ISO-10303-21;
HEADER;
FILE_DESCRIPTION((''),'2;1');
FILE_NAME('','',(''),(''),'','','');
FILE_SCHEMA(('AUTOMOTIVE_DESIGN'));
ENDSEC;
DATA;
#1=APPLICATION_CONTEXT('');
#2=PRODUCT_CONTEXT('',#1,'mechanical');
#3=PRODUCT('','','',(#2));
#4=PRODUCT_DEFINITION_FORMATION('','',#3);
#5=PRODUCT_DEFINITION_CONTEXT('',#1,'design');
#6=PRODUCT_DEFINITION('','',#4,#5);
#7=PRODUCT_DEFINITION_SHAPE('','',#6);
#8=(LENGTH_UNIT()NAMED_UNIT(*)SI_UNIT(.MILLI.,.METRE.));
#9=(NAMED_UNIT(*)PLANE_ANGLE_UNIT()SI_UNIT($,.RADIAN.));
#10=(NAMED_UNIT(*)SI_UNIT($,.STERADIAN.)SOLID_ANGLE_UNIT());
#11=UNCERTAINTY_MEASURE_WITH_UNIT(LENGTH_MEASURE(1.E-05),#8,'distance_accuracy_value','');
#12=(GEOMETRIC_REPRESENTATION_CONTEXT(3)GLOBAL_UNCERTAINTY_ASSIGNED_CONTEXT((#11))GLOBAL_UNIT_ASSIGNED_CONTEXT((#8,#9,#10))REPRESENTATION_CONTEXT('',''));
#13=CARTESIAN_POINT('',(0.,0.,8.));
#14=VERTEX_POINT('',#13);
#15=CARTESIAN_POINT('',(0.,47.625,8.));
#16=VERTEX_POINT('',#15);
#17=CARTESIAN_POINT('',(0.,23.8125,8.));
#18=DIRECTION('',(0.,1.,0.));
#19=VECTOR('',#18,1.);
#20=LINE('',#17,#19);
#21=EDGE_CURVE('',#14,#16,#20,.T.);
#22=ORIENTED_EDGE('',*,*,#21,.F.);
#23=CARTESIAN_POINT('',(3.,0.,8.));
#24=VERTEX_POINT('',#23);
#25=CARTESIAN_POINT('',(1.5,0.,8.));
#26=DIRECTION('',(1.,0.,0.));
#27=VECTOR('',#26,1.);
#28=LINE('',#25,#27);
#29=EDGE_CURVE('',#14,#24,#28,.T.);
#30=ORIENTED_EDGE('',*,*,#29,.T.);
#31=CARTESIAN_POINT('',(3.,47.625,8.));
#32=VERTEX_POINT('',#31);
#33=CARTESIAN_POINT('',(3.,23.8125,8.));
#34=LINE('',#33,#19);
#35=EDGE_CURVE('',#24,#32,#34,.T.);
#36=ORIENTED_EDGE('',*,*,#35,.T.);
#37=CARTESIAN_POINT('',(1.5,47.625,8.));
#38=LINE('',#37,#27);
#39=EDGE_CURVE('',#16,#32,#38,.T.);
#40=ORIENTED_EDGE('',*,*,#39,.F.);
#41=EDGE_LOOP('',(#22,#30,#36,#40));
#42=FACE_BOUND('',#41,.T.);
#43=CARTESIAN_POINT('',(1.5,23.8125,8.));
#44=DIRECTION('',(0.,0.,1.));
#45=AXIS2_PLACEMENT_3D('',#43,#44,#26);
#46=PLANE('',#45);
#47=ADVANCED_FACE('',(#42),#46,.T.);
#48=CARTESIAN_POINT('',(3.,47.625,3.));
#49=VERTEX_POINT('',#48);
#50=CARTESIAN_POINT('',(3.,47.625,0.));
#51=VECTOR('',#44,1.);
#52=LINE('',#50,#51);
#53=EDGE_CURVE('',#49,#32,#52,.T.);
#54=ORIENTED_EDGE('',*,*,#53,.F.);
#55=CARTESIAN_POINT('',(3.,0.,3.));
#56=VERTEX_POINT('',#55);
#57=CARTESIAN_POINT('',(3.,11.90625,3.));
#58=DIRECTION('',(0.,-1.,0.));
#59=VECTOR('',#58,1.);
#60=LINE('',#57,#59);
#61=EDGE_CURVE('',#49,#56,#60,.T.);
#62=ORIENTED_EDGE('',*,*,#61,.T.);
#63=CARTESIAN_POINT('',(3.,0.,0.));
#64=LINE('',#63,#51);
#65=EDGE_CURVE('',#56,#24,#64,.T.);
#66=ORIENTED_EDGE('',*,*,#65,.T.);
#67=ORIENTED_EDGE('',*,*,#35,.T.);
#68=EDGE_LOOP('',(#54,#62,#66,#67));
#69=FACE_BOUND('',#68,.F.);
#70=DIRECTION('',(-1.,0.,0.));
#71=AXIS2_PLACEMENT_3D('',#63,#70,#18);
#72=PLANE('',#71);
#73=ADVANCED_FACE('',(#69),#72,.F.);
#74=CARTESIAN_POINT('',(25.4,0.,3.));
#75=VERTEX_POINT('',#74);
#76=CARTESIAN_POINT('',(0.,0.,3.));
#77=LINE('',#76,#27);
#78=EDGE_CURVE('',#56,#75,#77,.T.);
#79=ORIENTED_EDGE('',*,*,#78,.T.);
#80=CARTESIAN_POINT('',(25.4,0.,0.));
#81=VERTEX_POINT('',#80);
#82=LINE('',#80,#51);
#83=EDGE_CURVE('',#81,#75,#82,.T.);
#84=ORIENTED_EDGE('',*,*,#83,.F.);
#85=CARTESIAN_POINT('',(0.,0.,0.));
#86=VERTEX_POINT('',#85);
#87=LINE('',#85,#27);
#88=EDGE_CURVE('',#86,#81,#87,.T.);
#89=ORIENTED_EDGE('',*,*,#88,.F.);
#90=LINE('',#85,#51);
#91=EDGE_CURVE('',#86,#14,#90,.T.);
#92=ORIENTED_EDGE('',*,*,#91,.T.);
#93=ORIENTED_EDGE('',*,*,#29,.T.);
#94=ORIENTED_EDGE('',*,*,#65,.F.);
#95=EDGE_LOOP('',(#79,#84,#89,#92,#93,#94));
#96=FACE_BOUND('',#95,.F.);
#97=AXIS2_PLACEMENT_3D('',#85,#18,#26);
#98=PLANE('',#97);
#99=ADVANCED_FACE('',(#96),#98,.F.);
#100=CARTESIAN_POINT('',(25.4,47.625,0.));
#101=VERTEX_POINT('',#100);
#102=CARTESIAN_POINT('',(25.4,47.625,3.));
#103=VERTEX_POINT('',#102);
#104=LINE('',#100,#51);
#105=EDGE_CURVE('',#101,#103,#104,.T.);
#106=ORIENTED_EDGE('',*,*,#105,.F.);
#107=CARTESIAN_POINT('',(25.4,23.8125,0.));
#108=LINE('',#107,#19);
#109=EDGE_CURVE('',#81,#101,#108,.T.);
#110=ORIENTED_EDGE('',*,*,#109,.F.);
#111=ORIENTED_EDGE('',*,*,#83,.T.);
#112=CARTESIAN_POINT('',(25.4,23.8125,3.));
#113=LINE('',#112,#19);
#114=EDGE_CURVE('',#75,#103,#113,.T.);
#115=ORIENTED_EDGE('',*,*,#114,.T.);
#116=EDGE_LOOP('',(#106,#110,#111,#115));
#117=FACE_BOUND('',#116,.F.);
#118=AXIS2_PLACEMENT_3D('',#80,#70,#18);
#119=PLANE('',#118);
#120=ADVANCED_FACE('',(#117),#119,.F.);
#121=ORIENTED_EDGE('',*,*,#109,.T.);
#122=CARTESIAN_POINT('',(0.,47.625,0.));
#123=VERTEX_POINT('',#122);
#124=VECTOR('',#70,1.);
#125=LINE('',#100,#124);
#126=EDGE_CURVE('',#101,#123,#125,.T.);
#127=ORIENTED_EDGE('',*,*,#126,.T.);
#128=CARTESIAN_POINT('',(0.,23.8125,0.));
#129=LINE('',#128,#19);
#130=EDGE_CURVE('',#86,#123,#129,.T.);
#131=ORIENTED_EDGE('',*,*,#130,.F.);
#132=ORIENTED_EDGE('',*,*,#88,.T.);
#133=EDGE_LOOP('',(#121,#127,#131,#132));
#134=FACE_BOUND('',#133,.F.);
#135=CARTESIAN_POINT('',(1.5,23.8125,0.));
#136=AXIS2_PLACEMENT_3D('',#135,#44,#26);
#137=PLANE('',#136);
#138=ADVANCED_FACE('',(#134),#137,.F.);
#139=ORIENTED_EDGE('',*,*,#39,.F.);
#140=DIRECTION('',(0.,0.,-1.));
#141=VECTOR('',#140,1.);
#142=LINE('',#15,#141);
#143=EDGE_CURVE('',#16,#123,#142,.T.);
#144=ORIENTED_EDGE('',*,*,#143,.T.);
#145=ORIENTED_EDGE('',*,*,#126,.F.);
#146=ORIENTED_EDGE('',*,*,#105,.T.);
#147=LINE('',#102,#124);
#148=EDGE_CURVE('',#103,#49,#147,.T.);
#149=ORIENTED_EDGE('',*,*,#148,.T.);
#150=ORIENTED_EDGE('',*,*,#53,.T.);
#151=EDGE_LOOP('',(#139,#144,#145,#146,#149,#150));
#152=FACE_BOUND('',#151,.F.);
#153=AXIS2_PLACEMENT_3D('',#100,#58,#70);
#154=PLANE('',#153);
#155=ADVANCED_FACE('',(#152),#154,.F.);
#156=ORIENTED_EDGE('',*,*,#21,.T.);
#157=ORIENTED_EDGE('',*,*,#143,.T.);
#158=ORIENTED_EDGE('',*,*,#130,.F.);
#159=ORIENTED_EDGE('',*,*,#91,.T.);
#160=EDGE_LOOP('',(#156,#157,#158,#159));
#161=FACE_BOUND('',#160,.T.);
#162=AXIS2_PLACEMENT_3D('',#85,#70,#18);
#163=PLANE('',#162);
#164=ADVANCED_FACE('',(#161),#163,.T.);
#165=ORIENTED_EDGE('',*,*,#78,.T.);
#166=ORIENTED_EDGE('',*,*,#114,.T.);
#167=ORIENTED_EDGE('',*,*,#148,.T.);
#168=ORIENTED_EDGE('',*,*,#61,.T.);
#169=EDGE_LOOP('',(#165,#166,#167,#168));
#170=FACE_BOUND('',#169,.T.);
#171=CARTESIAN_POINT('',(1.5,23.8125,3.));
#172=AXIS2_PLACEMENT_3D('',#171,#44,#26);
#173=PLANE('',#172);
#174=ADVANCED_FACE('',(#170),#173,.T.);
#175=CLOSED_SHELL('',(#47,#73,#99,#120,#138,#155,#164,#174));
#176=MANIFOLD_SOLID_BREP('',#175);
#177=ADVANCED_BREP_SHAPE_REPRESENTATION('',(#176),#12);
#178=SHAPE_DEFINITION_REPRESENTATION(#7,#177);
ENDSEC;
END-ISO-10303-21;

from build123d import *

# Parameters (mm, degrees)
F0_W     = 3
F0_H     = 47.625
F0_W_2   = 22.4
F1_DEPTH = 3
F2_DEPTH = 8


with BuildPart() as f1:
    # F0 (on Top) → F1 (new body)
    with BuildSketch(Plane.XY):
        with Locations((1.5, 23.8125)):
            Rectangle(F0_W, F0_H)
        with Locations((14.2, 23.8125)):
            Rectangle(F0_W_2, F0_H)
    extrude(amount=F1_DEPTH)

    # F0 (on Top) → F2 (join)
    with BuildSketch(Plane.XY):
        with Locations((1.5, 23.8125)):
            Rectangle(F0_W, F0_H)
    extrude(amount=F2_DEPTH)


solid = f1.part
